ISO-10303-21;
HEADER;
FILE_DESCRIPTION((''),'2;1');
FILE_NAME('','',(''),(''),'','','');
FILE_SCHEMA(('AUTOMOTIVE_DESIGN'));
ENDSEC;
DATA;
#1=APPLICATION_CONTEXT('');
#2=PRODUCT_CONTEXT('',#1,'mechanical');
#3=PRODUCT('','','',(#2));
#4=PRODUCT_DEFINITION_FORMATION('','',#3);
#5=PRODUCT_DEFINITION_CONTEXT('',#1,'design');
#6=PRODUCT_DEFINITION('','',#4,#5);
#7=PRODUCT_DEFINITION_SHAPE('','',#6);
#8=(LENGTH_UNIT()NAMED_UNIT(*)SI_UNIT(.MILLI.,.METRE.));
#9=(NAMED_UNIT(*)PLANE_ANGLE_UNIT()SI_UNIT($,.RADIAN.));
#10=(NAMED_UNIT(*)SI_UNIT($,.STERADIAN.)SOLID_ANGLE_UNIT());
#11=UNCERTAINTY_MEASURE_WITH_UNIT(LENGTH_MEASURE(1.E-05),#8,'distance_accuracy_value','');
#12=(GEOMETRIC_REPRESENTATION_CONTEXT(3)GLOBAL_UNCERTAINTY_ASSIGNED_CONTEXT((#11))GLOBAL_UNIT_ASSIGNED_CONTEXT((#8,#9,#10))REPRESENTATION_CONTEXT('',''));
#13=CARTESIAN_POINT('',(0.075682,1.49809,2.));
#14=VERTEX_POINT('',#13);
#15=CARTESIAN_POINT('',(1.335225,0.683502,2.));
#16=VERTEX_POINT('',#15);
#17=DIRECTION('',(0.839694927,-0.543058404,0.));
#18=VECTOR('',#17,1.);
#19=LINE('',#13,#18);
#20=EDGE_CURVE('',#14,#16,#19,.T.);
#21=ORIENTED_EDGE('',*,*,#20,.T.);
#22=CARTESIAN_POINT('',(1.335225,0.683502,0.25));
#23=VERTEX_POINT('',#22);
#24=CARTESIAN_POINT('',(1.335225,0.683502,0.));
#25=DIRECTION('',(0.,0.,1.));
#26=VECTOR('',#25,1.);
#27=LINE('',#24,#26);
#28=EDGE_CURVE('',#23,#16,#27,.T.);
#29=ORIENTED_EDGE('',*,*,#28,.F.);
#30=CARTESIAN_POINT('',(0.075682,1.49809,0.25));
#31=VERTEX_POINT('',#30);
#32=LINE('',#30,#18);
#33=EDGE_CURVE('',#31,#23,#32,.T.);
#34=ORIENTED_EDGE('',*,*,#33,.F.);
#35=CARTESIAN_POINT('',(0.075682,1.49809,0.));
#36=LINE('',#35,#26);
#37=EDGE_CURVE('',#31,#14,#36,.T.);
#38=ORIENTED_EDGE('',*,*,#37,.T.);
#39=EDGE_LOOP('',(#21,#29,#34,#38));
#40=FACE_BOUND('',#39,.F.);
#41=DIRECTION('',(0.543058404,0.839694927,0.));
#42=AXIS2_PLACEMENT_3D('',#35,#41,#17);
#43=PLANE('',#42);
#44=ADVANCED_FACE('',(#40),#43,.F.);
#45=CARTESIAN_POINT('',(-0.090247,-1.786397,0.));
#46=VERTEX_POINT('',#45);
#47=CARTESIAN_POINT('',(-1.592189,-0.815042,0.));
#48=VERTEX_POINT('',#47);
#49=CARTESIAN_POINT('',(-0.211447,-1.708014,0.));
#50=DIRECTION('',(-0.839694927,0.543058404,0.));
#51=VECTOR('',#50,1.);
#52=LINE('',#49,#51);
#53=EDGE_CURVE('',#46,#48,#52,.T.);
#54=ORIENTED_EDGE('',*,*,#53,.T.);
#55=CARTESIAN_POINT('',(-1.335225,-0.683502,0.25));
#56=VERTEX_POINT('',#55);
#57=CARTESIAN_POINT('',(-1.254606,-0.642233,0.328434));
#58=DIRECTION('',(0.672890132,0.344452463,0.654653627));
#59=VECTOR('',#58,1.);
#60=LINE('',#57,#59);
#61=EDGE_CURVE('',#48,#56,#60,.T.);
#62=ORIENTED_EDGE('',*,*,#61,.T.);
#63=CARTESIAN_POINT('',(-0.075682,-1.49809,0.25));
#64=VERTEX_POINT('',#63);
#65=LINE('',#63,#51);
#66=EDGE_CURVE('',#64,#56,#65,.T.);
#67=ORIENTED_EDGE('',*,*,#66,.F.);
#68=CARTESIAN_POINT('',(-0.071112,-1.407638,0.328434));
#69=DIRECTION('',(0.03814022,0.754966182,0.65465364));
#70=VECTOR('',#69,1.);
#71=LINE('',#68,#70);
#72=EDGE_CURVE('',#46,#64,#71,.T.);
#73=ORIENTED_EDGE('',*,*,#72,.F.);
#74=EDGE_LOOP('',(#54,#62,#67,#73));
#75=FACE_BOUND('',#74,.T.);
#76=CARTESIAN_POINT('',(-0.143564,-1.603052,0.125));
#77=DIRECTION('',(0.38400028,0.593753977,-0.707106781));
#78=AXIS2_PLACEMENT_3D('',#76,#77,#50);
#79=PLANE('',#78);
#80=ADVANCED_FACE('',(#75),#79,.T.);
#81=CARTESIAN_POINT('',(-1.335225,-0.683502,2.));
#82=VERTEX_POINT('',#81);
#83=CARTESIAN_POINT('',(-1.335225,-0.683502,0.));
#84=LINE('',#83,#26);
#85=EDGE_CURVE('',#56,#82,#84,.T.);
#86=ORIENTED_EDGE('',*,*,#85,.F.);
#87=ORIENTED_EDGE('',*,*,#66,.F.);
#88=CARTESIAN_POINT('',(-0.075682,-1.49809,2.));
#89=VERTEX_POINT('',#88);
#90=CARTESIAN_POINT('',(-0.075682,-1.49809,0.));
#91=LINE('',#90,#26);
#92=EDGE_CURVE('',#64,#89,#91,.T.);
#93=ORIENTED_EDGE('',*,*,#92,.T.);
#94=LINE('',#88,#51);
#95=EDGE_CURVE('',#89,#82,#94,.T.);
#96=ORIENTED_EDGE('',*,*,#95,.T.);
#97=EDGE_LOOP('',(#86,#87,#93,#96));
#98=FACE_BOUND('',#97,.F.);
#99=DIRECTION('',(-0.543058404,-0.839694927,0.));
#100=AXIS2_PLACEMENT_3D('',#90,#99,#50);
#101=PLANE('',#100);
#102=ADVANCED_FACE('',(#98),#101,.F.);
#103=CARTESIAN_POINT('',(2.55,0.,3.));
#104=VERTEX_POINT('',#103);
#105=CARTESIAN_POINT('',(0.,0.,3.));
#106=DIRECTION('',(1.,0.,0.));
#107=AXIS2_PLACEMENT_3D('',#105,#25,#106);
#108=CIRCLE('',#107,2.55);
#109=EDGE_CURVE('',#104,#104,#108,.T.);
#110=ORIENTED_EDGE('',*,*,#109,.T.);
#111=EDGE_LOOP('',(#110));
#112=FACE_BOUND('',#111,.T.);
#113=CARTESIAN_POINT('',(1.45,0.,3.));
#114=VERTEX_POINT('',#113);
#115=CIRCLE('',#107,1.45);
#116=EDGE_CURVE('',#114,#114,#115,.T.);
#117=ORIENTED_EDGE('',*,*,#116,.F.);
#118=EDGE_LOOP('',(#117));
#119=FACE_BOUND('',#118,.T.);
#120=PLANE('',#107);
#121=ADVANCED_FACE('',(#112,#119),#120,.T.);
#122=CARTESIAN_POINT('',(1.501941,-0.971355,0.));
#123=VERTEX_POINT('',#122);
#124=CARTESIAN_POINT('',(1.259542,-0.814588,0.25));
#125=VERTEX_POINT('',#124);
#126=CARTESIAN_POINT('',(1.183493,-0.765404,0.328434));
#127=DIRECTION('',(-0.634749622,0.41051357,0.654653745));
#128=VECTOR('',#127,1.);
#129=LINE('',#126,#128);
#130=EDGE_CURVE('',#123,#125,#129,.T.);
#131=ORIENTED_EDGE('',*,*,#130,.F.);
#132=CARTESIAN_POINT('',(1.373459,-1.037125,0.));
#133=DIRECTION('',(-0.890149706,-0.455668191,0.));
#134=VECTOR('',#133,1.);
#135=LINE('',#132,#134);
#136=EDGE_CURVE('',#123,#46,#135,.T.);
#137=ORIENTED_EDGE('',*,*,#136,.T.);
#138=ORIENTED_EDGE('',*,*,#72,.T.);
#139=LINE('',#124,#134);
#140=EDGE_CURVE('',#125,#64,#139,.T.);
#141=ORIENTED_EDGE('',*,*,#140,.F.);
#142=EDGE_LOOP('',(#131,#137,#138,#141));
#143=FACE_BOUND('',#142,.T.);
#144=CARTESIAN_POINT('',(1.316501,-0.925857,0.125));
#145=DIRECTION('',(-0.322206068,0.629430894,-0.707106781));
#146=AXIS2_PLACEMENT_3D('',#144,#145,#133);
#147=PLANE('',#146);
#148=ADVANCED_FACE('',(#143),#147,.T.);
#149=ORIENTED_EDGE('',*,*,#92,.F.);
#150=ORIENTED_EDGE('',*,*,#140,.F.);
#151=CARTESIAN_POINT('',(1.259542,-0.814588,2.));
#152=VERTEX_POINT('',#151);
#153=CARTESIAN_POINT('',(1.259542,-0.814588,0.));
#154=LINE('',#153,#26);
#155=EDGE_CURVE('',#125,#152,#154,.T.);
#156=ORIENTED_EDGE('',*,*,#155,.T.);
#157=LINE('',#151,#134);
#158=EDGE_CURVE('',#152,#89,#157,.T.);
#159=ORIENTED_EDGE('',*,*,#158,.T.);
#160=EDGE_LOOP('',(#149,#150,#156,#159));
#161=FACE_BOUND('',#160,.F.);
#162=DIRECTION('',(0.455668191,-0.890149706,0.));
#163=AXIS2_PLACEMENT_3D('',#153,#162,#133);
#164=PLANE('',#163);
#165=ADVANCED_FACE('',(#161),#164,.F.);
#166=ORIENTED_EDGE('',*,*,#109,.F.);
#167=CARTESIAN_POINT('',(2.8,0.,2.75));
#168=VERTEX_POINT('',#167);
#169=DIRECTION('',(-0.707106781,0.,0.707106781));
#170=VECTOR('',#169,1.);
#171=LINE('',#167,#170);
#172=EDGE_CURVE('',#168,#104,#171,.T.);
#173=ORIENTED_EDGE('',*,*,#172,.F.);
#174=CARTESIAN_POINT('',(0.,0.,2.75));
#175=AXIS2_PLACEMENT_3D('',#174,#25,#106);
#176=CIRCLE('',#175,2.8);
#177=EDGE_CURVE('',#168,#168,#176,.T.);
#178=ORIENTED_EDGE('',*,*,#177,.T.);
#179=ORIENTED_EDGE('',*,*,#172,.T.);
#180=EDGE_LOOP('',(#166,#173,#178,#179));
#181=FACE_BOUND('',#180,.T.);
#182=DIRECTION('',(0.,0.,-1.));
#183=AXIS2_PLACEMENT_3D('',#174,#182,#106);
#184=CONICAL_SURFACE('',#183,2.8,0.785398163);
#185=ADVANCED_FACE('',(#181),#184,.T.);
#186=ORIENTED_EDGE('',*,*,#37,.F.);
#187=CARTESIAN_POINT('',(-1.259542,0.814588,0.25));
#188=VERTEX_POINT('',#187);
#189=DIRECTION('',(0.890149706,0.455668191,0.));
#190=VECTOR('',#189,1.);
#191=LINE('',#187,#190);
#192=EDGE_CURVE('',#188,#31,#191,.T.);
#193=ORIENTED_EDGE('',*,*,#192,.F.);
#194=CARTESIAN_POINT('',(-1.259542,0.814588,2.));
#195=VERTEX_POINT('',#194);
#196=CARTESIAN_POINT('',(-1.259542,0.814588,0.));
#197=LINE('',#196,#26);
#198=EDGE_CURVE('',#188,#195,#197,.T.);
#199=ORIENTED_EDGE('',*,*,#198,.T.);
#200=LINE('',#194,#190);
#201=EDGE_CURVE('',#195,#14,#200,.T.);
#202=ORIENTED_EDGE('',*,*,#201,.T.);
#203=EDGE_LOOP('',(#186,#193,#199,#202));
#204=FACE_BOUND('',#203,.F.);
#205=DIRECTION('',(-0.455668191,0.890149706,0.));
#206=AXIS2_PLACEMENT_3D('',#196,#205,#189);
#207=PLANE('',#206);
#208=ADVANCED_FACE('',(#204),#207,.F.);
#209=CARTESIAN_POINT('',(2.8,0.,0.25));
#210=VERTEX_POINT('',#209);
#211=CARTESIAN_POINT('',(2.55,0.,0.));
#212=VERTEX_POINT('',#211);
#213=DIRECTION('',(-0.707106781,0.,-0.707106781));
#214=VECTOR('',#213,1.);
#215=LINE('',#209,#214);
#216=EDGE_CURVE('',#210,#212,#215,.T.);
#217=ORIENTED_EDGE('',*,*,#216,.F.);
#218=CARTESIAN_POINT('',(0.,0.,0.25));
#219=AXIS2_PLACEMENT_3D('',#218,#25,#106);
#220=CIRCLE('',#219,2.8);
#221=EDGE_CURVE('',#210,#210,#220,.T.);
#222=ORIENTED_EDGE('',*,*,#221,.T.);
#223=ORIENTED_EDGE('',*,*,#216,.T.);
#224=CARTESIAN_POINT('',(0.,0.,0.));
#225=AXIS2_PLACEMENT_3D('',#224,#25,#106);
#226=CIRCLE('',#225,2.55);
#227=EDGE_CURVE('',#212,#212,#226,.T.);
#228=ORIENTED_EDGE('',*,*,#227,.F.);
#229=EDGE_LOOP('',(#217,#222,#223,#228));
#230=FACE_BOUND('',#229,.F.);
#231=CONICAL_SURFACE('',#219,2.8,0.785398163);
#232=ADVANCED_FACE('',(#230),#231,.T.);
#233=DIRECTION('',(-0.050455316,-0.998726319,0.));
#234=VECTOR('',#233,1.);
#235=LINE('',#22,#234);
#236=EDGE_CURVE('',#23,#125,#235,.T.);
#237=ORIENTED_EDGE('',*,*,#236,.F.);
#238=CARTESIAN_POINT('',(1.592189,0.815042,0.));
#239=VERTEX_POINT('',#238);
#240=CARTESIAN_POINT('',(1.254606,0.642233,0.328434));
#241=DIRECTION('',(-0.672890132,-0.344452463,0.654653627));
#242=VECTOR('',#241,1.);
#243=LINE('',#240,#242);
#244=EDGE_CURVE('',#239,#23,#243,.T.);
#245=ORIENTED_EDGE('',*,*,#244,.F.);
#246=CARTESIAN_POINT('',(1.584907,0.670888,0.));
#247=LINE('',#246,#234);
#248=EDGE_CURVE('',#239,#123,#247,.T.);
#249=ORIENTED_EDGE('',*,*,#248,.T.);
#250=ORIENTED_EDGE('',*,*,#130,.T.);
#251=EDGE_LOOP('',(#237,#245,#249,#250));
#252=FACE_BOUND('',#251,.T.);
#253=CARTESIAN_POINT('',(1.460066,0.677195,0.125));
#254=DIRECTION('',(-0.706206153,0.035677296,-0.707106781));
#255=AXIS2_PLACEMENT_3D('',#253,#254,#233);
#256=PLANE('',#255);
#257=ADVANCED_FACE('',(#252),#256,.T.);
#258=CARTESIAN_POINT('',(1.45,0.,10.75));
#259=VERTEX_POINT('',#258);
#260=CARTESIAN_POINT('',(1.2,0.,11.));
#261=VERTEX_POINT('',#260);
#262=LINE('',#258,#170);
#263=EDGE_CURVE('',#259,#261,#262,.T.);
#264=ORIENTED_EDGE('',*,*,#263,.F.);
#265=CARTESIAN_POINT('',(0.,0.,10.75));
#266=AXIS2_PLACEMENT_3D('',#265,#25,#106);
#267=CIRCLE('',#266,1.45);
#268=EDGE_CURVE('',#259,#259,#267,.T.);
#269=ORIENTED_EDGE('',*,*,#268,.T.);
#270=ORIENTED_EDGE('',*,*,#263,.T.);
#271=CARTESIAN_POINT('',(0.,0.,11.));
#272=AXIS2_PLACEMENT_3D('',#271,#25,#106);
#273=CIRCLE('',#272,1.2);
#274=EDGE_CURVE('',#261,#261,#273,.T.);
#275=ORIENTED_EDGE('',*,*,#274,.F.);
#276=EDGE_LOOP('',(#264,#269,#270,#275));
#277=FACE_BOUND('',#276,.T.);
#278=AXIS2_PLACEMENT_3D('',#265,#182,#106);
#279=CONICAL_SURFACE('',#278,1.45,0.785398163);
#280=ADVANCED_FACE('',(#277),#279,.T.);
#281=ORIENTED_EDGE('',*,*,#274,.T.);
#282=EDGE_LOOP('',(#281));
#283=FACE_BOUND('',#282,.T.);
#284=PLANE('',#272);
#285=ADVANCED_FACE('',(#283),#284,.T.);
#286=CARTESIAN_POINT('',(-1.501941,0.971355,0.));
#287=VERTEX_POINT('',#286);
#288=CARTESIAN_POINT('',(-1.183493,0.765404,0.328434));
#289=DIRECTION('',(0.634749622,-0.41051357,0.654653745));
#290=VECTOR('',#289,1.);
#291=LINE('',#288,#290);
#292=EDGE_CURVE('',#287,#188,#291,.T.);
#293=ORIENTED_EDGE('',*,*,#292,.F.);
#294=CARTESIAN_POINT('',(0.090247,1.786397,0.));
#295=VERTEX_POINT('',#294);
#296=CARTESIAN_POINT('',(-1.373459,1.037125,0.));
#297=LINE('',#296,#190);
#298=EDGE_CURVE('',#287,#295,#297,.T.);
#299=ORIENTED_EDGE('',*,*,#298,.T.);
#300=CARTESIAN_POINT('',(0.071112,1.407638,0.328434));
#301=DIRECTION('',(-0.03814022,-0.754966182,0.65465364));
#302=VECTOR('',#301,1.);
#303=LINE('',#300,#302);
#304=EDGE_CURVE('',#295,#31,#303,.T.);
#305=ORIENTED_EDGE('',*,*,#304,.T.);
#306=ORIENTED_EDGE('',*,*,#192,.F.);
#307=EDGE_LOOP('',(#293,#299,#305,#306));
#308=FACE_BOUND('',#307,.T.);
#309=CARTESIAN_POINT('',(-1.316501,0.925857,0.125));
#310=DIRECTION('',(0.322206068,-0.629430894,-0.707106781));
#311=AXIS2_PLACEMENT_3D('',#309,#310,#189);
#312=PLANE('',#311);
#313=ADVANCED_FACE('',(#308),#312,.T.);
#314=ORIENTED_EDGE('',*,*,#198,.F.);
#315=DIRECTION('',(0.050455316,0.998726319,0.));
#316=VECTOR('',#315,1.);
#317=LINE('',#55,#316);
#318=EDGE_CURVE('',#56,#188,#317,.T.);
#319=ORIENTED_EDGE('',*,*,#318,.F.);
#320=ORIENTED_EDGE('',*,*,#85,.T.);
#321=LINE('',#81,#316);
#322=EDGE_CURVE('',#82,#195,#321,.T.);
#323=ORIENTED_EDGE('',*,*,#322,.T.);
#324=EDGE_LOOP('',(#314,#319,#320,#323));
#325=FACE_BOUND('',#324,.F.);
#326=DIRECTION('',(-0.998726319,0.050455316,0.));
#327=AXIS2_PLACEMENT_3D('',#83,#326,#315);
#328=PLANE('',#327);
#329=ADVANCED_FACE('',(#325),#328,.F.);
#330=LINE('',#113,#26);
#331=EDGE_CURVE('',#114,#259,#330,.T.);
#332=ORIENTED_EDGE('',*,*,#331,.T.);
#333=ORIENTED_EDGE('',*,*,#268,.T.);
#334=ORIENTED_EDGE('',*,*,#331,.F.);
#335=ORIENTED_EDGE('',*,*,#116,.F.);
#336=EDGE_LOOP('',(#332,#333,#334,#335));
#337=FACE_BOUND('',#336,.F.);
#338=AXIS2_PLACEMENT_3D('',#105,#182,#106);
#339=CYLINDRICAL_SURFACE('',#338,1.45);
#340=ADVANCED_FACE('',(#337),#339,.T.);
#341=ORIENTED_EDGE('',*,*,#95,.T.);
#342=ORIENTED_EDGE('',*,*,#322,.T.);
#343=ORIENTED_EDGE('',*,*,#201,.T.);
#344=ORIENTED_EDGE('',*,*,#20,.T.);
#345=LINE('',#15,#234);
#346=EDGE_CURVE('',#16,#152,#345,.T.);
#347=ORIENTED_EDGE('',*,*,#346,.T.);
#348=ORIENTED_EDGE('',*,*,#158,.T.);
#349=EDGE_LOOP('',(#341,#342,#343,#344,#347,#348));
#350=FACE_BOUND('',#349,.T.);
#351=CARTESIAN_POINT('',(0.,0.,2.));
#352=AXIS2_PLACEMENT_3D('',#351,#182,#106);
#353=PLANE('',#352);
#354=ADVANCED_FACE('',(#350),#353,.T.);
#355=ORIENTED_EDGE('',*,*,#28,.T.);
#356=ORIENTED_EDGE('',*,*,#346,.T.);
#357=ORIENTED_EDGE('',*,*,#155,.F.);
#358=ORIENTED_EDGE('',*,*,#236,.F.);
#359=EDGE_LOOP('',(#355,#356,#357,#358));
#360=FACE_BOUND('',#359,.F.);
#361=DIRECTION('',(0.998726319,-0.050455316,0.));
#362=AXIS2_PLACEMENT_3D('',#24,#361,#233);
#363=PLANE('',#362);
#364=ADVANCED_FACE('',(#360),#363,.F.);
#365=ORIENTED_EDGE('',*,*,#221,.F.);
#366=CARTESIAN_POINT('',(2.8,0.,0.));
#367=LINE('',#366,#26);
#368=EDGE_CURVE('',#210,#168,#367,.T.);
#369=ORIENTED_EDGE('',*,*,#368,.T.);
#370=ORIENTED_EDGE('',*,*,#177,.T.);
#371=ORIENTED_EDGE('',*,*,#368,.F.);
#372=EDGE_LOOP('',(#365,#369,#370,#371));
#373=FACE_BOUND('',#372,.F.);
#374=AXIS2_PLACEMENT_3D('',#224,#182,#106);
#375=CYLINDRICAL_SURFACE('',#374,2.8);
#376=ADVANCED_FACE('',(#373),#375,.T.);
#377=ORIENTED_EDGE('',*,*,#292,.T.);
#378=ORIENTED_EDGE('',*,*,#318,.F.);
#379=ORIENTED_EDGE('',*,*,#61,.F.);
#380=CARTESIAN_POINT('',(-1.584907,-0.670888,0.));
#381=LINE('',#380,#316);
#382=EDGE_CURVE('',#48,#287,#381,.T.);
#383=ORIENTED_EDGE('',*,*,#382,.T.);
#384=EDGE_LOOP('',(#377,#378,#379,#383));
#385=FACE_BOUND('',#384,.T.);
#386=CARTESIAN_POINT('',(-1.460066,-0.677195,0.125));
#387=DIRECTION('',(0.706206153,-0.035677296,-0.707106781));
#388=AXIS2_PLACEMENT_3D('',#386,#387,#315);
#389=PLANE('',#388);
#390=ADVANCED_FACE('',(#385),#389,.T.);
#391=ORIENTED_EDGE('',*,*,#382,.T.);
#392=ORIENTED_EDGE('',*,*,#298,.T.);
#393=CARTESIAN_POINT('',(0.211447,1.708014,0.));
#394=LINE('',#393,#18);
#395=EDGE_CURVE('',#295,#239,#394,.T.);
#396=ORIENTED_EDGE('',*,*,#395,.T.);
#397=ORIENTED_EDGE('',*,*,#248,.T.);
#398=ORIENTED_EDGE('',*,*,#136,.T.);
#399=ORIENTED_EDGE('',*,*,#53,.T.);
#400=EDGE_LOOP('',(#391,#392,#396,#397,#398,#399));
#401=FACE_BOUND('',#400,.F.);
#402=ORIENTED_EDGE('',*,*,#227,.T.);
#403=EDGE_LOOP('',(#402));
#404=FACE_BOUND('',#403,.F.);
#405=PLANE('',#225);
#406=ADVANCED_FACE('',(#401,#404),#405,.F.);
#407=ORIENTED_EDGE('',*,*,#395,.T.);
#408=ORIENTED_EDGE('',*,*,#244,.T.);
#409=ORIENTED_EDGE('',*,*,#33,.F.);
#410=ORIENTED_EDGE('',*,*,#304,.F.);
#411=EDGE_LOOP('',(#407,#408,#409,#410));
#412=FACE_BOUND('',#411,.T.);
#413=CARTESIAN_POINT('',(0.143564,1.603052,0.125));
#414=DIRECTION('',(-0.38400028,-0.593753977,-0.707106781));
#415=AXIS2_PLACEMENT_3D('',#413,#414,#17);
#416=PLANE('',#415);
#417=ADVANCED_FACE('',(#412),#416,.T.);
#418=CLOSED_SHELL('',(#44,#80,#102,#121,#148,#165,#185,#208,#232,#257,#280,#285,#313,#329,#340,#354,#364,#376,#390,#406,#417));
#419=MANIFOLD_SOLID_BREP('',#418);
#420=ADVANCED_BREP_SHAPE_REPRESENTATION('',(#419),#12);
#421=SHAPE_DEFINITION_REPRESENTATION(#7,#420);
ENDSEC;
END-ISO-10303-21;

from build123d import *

# Parameters (mm, degrees)
SKETCH_R     = 2.8
PAD_DEPTH    = 3
SKETCH001_R  = 1.45
PAD001_DEPTH = 8
POCKET_DEPTH = 2
CHAMFER_SIZE = 0.25


with BuildPart() as part:
    # Sketch → Pad (new body)
    with BuildSketch(Plane.XY):
        Circle(SKETCH_R)
    extrude(amount=PAD_DEPTH)

    # Sketch001 (on Face3 of Pad) → Pad001 (join)
    with BuildSketch(Plane.XY.offset(3)):
        Circle(SKETCH001_R)
    extrude(amount=PAD001_DEPTH)

    # Sketch002 (on Face2 of Pad001) → Pocket (cut)
    with BuildSketch(Plane(origin=(0, 0, 0), x_dir=(1, 0, 0), z_dir=(0, 0, -1))):
        Polygon((1.259542, 0.814588), (-0.075682, 1.49809), (-1.335225, 0.683502), (-1.259542, -0.814588), (0.075682, -1.49809), (1.335225, -0.683502), align=None)
    extrude(amount=-POCKET_DEPTH, mode=Mode.SUBTRACT)

    # Chamfer
    chamfer_edges = [part.edges().sort_by_distance(p)[0] for p in [
        (-2.8, 0, 3),
        (-2.8, 0, 0),
        (1.297384, -0.065543, 0),
        (0.705454, 1.090796, 0),
        (-0.59193, 1.156339, 0),
        (-1.297384, 0.065543, 0),
        (-0.705454, -1.090796, 0),
        (0.59193, -1.156339, 0),
        (-1.45, 0, 11),
    ]]
    chamfer(chamfer_edges, length=CHAMFER_SIZE)


solid = part.part
